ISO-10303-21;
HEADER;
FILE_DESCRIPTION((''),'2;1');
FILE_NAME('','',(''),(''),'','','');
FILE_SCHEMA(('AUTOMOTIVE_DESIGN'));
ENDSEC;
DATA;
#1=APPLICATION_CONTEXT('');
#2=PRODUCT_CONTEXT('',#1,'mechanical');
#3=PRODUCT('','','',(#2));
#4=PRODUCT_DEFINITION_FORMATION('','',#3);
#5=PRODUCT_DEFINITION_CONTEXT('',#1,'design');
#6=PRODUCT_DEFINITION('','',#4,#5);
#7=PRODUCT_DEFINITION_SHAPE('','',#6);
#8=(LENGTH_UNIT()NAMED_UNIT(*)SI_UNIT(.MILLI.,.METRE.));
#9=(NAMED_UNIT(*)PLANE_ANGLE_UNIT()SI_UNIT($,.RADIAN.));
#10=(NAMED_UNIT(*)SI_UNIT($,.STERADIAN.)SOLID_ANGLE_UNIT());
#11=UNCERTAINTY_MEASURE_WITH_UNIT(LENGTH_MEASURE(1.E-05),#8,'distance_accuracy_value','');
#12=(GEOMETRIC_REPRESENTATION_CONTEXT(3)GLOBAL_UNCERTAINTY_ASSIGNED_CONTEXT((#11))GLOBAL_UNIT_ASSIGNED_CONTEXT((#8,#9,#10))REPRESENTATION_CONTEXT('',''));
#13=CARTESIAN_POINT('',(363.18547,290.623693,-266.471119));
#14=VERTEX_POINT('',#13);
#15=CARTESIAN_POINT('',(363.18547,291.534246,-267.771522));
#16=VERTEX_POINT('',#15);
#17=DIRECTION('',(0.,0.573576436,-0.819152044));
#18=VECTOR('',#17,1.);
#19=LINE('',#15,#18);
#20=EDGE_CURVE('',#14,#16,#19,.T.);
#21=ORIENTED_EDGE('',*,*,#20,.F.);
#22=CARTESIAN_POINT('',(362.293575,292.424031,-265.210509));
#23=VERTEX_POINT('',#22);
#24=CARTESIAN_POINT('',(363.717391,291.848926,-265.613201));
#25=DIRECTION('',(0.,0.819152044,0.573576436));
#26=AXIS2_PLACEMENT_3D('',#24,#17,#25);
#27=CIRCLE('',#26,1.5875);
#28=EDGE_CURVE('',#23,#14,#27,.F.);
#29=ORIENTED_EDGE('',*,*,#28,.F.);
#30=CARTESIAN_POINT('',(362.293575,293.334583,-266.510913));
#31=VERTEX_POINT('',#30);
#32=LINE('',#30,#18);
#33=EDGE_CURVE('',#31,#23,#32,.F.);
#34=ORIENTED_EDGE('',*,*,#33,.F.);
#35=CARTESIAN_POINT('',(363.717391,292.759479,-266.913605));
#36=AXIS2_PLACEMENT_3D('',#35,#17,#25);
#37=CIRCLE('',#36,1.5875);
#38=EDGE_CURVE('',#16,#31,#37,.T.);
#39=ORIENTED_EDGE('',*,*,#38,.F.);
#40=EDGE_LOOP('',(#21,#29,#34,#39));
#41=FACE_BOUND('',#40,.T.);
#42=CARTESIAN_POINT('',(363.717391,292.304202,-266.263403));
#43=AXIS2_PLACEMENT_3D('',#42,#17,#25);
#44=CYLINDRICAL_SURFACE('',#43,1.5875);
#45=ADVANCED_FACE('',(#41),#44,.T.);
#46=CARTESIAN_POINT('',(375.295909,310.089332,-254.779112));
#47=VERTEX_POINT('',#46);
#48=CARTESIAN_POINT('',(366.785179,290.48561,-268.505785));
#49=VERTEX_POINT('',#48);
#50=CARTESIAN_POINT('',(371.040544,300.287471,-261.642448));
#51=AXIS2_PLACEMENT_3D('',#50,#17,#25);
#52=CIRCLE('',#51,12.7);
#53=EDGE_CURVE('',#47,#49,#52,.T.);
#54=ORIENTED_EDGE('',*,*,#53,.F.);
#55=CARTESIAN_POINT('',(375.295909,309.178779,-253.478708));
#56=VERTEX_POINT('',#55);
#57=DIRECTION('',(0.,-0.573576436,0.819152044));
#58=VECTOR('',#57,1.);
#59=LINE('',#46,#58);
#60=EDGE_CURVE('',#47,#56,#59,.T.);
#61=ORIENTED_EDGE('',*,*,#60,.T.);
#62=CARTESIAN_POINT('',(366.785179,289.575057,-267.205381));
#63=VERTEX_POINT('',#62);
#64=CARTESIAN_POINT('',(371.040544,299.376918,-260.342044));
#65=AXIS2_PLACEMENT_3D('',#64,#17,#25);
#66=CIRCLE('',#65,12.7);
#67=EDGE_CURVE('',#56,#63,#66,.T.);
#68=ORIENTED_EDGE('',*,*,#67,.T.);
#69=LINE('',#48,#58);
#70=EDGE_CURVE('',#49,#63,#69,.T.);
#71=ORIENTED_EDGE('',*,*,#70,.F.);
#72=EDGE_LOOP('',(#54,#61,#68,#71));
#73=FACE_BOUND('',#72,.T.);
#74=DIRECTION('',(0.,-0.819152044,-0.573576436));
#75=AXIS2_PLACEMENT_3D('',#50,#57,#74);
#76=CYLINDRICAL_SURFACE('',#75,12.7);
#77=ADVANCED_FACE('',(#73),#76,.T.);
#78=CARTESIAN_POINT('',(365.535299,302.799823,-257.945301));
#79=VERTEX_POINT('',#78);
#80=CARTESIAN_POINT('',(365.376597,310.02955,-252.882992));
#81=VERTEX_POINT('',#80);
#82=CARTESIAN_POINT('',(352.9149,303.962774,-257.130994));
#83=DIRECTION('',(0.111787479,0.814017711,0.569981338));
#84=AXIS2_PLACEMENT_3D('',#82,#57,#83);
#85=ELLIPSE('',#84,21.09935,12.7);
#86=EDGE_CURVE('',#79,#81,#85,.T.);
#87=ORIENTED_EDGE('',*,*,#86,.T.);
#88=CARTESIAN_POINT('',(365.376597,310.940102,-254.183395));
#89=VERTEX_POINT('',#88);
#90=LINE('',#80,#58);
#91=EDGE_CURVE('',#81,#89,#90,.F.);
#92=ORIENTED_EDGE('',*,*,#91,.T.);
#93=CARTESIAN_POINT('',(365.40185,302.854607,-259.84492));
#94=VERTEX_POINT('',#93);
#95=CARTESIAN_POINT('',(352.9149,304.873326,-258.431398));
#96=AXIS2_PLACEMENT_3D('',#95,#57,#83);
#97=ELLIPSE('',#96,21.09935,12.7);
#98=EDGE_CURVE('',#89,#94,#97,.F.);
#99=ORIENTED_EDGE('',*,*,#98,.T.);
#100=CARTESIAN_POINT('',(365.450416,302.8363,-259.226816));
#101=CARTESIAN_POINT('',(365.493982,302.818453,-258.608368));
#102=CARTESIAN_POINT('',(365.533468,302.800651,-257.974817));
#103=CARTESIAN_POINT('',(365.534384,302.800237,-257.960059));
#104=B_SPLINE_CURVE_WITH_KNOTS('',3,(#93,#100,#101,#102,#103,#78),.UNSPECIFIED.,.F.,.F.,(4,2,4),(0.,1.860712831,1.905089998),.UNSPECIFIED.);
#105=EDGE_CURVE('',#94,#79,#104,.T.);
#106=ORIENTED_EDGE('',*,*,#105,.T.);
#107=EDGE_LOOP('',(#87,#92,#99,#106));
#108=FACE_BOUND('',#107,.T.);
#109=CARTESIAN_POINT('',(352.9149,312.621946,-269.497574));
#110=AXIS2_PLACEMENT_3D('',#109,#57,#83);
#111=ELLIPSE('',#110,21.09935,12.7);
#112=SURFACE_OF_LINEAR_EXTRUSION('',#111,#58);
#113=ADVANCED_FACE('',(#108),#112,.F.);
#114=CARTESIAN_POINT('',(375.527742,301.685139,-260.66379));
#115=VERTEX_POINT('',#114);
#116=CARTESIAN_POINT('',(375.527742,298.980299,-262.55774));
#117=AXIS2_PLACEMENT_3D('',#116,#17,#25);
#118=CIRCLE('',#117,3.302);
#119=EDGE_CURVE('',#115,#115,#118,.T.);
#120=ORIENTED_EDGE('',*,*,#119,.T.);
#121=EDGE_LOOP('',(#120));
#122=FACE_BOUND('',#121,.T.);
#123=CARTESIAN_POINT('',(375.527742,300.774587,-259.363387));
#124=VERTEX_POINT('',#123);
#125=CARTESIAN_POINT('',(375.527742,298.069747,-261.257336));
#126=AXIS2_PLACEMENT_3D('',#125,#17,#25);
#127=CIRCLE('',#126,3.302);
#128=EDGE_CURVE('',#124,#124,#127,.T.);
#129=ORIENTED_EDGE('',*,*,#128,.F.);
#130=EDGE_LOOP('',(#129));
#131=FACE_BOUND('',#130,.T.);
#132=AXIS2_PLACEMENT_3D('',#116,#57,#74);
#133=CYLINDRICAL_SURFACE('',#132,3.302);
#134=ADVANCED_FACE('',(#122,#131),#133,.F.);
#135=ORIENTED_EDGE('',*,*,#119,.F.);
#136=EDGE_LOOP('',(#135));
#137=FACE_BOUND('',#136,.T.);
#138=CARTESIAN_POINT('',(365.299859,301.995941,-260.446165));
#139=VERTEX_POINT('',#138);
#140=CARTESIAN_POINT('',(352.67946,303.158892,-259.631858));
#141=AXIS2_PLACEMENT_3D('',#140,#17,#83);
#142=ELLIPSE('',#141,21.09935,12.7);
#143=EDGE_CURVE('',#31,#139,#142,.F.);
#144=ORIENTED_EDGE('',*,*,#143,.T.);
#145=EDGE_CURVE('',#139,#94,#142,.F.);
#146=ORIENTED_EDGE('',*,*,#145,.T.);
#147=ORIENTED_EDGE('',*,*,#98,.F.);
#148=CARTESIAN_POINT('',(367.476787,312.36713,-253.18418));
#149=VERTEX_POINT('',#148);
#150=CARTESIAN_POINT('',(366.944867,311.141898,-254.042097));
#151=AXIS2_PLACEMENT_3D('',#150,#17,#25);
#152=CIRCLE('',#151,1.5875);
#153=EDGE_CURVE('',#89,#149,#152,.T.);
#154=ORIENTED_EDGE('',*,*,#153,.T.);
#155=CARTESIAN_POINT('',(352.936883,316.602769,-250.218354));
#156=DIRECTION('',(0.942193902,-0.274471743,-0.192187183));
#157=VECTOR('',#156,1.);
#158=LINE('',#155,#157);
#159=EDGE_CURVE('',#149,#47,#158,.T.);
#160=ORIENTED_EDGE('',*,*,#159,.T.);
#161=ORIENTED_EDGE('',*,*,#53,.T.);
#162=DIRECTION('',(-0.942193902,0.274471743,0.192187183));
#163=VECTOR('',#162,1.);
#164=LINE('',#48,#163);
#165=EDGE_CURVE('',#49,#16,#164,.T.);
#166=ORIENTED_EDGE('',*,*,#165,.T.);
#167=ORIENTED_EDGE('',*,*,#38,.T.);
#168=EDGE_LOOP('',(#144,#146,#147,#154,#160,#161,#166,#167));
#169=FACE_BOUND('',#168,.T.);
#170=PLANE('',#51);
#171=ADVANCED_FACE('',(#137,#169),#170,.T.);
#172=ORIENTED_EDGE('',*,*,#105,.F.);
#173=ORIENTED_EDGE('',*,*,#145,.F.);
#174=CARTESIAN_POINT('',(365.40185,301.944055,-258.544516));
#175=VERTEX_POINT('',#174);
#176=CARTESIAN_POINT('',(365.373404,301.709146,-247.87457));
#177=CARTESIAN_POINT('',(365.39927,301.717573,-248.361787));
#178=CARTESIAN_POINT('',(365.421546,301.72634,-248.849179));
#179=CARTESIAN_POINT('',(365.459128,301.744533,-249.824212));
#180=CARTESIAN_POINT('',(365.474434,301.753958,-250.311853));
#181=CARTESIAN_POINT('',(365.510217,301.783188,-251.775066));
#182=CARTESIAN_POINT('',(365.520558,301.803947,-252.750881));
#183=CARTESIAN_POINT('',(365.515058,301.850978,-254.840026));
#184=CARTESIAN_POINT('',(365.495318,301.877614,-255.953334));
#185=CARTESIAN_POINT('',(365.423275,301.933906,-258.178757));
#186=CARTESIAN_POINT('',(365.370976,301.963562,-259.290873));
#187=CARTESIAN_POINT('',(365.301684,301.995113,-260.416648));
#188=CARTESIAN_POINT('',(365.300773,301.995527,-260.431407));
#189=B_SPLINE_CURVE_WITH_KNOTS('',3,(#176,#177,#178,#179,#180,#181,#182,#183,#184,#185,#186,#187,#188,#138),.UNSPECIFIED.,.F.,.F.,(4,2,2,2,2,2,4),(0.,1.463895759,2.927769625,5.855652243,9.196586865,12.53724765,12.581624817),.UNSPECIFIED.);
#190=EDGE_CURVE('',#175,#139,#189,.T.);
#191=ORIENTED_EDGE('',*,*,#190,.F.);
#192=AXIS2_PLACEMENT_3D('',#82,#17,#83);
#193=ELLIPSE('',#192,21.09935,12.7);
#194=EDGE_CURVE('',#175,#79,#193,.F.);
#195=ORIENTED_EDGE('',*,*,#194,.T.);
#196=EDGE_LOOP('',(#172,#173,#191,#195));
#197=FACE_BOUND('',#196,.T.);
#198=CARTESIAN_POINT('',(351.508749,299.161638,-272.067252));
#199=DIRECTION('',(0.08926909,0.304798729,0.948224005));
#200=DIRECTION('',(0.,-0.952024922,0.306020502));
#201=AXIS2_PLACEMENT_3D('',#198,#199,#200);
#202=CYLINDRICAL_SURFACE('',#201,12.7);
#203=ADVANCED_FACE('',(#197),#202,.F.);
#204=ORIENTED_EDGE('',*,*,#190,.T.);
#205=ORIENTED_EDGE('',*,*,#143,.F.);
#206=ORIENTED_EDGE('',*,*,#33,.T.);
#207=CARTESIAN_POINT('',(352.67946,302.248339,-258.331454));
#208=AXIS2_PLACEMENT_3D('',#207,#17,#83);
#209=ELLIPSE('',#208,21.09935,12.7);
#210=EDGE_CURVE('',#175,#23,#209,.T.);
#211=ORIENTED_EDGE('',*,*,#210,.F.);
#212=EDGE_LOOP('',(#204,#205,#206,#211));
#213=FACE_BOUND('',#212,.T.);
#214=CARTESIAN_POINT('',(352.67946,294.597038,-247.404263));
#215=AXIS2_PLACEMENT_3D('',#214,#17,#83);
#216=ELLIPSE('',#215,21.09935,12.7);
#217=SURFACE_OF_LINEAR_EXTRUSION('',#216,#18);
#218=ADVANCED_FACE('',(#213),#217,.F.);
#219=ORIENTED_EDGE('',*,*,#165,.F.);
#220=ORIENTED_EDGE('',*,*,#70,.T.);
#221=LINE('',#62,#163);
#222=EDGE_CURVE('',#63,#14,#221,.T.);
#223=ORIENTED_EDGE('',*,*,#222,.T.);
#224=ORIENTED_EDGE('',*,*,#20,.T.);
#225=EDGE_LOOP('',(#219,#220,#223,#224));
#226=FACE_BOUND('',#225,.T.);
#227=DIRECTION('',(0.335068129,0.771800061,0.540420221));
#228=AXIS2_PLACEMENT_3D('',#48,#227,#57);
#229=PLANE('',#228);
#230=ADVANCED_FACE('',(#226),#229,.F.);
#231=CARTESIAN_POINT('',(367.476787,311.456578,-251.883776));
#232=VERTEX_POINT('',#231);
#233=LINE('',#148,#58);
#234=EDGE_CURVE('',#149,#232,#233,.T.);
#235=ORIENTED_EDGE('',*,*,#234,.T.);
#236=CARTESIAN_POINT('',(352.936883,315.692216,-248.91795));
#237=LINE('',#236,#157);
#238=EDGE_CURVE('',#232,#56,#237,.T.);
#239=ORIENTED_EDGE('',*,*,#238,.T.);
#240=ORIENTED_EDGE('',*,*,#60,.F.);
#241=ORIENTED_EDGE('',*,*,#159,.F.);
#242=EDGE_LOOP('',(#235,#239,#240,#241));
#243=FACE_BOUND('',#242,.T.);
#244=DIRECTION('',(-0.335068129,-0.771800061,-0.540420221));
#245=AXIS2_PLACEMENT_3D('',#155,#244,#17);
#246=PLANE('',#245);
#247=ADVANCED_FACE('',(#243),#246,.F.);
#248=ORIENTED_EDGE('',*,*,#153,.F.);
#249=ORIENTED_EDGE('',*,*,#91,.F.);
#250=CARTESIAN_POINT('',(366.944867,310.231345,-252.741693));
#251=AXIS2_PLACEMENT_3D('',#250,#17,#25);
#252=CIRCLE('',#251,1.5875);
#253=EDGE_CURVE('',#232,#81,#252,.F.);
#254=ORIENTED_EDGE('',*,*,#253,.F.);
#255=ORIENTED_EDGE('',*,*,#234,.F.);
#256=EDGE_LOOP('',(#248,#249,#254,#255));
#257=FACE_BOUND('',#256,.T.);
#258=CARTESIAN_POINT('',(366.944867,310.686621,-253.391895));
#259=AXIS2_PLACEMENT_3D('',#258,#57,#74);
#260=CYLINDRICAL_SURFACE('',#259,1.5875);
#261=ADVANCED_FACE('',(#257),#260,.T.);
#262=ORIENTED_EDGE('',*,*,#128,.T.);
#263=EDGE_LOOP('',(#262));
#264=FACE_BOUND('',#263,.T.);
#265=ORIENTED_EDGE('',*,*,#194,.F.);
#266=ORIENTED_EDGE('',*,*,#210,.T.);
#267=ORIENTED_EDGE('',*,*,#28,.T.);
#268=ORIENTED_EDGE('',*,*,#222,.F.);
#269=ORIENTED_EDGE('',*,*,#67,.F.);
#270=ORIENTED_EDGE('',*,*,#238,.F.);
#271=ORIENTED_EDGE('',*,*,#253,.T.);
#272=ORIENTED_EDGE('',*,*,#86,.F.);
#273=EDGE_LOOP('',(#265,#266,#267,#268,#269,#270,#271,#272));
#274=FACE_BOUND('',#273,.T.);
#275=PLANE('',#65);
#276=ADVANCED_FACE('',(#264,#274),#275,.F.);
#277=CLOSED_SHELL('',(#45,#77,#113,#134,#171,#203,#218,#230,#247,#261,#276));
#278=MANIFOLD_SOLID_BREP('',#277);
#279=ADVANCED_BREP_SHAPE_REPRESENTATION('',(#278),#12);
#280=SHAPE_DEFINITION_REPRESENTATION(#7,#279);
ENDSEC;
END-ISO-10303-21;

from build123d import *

# Parameters (mm, degrees)
SKETCH1_R           = 3.3019999999999836
BOSS_EXTRUDE1_DEPTH = 1.5875
SKETCH2_R           = 12.7
CUT_EXTRUDE2_DEPTH  = 146.57558110485613
CUT_EXTRUDE3_DEPTH  = 400.917308055041
CUT_EXTRUDE4_DEPTH  = 400.91690405439095
FILLET1_R           = 1.5875


with BuildPart() as part:
    # Sketch1 → Boss-Extrude1 (new body)
    with BuildSketch(Plane(origin=(4.715e-14, 220.81273991226263, -315.3532743689599), x_dir=(-1, 7e-17, -1e-16), z_dir=(0, 0.5735764363510497, -0.8191520442889892))):
        with BuildLine():
            Line((-352.9368830837315, 115.82645369700992), (-375.29590907686907, 107.8750150529707))
            ThreePointArc((-375.29590907686907, 107.8750150529707), (-383.0064063960404, 91.65378726062865), (-366.7851786036984, 83.94328994145738))
            Line((-366.7851786036984, 83.94328994145738), (-352.9368830837315, 88.86809624497586))
            Line((-352.9368830837315, 88.86809624497586), (-352.9368830837315, 115.82645369700992))
        make_face()
        with Locations(Location((-375.5277422986924, 94.31339053349453, 0), (0, 0, 90))):
            Circle(SKETCH1_R, mode=Mode.SUBTRACT)
    extrude(amount=BOSS_EXTRUDE1_DEPTH)

    # Sketch2 → Cut-Extrude2 (cut, through all)
    with BuildSketch(Plane(origin=(364.35174229869244, 343.62540364794484, -135.39966553044988), x_dir=(-0.9960075449626111, 0.027318171664055604, 0.08498639817338811), z_dir=(-0.0892690897094424, -0.3047987291070713, -0.9482240053685426))):
        with Locations((-0.03783689084002617, -0.5075300251178305)):
            Circle(SKETCH2_R)
    extrude(amount=CUT_EXTRUDE2_DEPTH, mode=Mode.SUBTRACT)

    # Sketch3 → Cut-Extrude3 (cut, through all)
    with BuildSketch(Plane(origin=(4.734e-14, 221.72329250496995, -316.65367823926863), x_dir=(-1, 7e-17, -1e-16), z_dir=(0, 0.5735764363510497, -0.8191520442889892))):
        with BuildLine():
            Line((-361.4453353005722, 85.84227411038414), (-360.53395932333007, 86.16638260092915))
            Line((-360.53395932333007, 86.16638260092915), (-363.80419645721065, 111.96176050593412))
            add(Edge.make_bspline(
                [(-363.80419645721065, 111.96176050593412), (-368.8920523914014, 98.57905697453593), (-361.4453353005722, 85.84227411038414)],
                knots=[0.8633594194263924, 0.8633594194263924, 0.8633594194263924, 2.2053014206357777, 2.2053014206357777, 2.2053014206357777], degree=2, weights=[1, 0.7832183186966504, 1]))
        make_face()
    extrude(amount=-CUT_EXTRUDE3_DEPTH, mode=Mode.SUBTRACT)

    # Sketch5 → Cut-Extrude4 (cut, through all)
    with BuildSketch(Plane(origin=(4.715e-14, 220.81273991226263, -315.3532743689599), x_dir=(1, -7e-17, 1e-16), z_dir=(0, -0.5735764363510497, 0.8191520442889892))):
        with BuildLine():
            Line((364.81964209388303, 111.600642196092), (363.80419645721065, 111.96176050593412))
            Line((363.80419645721065, 111.96176050593412), (365.40184998669423, 99.04304749276544))
            add(Edge.make_bspline(
                [(365.40184998669423, 99.04304749276544), (366.3557730480568, 105.71124194209018), (364.81964209388303, 111.600642196092)],
                knots=[4.662458191197461, 4.662458191197461, 4.662458191197461, 5.280973611848554, 5.280973611848554, 5.280973611848554], degree=2, weights=[1, 0.9525597493758428, 1]))
        make_face()
    extrude(amount=-CUT_EXTRUDE4_DEPTH, mode=Mode.SUBTRACT)

    # Fillet1
    fillet1_edges = [part.edges().sort_by_distance(p)[0] for p in [
        (361.44533530057225, 291.5858905325532, -266.76637063161013),
        (364.8196420938831, 312.685910407509, -251.99197765879123),
    ]]
    fillet(fillet1_edges, radius=FILLET1_R)


solid = part.part
